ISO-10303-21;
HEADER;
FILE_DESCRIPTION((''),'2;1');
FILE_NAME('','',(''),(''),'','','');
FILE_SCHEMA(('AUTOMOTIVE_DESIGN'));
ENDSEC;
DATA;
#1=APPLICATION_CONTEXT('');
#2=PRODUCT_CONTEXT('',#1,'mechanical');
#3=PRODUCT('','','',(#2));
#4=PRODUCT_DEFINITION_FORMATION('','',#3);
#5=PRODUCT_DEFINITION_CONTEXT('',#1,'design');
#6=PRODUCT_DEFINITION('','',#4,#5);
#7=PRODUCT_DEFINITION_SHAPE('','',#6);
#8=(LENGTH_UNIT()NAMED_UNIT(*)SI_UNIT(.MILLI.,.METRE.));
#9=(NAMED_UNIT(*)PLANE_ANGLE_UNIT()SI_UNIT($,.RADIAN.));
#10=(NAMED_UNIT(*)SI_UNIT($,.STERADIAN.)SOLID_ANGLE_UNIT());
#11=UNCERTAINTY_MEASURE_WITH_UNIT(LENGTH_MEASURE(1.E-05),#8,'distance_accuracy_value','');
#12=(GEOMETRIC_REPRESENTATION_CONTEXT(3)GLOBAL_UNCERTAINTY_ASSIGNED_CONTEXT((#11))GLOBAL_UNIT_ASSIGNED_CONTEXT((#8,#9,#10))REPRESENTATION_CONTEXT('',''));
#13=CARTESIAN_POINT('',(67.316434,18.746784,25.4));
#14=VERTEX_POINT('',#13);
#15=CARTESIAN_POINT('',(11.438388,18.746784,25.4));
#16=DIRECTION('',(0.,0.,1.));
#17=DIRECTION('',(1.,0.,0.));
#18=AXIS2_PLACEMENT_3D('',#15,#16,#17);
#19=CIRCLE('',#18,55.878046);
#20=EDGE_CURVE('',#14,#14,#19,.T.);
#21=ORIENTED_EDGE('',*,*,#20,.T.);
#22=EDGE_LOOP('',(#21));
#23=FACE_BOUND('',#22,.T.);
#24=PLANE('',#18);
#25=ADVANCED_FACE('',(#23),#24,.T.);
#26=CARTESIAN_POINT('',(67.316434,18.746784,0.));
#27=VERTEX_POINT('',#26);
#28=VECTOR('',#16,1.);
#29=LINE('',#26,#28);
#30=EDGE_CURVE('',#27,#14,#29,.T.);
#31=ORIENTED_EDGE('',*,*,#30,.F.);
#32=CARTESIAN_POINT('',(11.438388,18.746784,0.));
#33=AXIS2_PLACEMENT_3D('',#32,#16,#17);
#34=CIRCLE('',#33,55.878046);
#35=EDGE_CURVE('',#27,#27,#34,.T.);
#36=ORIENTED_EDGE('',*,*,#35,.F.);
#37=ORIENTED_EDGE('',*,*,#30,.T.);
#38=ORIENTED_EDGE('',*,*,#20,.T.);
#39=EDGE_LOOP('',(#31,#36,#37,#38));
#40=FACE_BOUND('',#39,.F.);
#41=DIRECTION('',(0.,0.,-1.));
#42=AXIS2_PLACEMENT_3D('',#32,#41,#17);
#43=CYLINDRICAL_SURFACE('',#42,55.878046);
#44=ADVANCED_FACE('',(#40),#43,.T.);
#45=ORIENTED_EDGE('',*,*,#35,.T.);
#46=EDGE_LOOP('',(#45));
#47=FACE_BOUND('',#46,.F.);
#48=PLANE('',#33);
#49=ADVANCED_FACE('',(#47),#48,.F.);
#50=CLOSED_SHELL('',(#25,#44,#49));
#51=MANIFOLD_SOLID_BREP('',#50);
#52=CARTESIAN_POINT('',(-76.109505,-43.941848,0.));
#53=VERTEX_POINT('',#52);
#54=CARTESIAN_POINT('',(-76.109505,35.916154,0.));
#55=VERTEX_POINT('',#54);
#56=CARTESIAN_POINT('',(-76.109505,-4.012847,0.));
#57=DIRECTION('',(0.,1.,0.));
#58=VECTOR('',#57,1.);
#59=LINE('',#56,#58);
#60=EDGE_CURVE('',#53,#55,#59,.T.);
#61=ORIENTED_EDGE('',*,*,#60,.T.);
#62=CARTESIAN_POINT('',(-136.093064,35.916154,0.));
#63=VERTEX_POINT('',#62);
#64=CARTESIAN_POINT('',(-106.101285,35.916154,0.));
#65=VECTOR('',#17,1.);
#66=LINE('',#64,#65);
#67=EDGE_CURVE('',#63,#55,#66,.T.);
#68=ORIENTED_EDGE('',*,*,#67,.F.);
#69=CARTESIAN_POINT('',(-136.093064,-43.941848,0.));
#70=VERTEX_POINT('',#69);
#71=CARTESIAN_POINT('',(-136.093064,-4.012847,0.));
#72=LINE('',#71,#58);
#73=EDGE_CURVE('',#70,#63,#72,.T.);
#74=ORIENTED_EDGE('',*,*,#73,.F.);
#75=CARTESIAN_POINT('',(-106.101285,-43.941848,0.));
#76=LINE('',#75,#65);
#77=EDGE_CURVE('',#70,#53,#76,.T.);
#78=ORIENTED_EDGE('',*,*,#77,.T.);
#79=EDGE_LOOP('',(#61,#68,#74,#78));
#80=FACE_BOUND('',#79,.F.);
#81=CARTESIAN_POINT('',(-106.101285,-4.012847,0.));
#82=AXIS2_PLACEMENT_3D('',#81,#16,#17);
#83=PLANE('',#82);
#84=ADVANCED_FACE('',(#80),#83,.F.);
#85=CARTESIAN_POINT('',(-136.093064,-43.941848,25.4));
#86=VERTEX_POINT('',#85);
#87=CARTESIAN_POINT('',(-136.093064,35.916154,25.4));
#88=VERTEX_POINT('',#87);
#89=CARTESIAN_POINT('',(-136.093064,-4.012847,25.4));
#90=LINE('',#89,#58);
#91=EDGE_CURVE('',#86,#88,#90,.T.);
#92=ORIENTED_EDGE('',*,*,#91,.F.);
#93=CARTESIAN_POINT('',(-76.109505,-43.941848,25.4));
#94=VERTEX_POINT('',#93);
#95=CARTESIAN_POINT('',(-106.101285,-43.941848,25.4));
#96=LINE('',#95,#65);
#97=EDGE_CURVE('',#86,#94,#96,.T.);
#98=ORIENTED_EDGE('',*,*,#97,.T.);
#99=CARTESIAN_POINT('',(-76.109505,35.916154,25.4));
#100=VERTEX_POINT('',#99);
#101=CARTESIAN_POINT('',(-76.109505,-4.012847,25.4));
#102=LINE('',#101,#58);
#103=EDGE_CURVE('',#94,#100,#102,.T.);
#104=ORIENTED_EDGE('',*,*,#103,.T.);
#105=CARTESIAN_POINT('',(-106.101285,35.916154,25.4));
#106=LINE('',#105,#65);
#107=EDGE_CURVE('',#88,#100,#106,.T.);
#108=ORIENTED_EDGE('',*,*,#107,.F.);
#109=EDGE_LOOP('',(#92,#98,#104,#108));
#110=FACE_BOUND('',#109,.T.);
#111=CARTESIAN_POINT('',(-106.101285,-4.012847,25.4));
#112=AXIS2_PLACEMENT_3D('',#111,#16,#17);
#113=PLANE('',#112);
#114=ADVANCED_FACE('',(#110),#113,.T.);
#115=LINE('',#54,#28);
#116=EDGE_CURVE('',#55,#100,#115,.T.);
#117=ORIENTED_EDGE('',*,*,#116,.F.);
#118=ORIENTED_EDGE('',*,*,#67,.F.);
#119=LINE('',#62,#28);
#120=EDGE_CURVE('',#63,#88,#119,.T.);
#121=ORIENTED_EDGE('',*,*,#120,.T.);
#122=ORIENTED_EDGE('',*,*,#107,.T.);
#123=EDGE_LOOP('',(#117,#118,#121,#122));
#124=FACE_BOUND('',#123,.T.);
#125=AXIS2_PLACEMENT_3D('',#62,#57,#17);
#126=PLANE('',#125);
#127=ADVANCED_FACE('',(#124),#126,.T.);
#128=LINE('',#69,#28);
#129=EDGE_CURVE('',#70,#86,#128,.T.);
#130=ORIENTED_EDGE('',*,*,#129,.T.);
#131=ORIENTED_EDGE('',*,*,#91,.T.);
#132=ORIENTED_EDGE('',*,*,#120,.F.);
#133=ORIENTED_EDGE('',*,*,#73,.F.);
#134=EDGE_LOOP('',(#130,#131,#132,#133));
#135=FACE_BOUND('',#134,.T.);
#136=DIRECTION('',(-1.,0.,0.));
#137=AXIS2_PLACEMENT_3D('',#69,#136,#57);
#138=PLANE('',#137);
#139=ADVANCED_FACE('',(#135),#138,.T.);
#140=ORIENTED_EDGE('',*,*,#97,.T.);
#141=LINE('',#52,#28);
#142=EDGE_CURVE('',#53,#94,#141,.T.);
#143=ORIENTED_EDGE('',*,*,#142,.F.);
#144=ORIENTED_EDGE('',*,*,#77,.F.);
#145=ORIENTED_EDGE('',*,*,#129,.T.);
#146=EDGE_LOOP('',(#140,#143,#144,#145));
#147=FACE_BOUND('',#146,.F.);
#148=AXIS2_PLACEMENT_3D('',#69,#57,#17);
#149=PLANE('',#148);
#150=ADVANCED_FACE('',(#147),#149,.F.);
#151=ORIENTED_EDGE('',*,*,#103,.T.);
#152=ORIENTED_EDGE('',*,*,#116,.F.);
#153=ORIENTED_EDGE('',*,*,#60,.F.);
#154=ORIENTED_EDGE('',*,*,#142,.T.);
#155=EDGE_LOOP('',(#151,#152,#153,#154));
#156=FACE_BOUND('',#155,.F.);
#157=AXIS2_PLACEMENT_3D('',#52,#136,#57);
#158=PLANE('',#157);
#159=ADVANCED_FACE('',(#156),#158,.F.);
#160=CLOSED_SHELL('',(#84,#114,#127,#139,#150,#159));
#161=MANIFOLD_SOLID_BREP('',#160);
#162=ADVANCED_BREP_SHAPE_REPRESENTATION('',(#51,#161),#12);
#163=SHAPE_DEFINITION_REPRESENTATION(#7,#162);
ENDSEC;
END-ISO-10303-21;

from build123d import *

# Parameters (mm, degrees)
F0_W     = 59.983559
F0_H     = 79.858001
F0_R     = 55.878046
F1_DEPTH = 25.4


with BuildPart() as f1:
    # F0 (on Top) → F1 (new body)
    with BuildSketch(Plane.XY):
        with Locations((-106.101285, -4.012847)):
            Rectangle(F0_W, F0_H)
        with Locations((11.438388, 18.746784)):
            Circle(F0_R)
    extrude(amount=F1_DEPTH)


solid = f1.part
